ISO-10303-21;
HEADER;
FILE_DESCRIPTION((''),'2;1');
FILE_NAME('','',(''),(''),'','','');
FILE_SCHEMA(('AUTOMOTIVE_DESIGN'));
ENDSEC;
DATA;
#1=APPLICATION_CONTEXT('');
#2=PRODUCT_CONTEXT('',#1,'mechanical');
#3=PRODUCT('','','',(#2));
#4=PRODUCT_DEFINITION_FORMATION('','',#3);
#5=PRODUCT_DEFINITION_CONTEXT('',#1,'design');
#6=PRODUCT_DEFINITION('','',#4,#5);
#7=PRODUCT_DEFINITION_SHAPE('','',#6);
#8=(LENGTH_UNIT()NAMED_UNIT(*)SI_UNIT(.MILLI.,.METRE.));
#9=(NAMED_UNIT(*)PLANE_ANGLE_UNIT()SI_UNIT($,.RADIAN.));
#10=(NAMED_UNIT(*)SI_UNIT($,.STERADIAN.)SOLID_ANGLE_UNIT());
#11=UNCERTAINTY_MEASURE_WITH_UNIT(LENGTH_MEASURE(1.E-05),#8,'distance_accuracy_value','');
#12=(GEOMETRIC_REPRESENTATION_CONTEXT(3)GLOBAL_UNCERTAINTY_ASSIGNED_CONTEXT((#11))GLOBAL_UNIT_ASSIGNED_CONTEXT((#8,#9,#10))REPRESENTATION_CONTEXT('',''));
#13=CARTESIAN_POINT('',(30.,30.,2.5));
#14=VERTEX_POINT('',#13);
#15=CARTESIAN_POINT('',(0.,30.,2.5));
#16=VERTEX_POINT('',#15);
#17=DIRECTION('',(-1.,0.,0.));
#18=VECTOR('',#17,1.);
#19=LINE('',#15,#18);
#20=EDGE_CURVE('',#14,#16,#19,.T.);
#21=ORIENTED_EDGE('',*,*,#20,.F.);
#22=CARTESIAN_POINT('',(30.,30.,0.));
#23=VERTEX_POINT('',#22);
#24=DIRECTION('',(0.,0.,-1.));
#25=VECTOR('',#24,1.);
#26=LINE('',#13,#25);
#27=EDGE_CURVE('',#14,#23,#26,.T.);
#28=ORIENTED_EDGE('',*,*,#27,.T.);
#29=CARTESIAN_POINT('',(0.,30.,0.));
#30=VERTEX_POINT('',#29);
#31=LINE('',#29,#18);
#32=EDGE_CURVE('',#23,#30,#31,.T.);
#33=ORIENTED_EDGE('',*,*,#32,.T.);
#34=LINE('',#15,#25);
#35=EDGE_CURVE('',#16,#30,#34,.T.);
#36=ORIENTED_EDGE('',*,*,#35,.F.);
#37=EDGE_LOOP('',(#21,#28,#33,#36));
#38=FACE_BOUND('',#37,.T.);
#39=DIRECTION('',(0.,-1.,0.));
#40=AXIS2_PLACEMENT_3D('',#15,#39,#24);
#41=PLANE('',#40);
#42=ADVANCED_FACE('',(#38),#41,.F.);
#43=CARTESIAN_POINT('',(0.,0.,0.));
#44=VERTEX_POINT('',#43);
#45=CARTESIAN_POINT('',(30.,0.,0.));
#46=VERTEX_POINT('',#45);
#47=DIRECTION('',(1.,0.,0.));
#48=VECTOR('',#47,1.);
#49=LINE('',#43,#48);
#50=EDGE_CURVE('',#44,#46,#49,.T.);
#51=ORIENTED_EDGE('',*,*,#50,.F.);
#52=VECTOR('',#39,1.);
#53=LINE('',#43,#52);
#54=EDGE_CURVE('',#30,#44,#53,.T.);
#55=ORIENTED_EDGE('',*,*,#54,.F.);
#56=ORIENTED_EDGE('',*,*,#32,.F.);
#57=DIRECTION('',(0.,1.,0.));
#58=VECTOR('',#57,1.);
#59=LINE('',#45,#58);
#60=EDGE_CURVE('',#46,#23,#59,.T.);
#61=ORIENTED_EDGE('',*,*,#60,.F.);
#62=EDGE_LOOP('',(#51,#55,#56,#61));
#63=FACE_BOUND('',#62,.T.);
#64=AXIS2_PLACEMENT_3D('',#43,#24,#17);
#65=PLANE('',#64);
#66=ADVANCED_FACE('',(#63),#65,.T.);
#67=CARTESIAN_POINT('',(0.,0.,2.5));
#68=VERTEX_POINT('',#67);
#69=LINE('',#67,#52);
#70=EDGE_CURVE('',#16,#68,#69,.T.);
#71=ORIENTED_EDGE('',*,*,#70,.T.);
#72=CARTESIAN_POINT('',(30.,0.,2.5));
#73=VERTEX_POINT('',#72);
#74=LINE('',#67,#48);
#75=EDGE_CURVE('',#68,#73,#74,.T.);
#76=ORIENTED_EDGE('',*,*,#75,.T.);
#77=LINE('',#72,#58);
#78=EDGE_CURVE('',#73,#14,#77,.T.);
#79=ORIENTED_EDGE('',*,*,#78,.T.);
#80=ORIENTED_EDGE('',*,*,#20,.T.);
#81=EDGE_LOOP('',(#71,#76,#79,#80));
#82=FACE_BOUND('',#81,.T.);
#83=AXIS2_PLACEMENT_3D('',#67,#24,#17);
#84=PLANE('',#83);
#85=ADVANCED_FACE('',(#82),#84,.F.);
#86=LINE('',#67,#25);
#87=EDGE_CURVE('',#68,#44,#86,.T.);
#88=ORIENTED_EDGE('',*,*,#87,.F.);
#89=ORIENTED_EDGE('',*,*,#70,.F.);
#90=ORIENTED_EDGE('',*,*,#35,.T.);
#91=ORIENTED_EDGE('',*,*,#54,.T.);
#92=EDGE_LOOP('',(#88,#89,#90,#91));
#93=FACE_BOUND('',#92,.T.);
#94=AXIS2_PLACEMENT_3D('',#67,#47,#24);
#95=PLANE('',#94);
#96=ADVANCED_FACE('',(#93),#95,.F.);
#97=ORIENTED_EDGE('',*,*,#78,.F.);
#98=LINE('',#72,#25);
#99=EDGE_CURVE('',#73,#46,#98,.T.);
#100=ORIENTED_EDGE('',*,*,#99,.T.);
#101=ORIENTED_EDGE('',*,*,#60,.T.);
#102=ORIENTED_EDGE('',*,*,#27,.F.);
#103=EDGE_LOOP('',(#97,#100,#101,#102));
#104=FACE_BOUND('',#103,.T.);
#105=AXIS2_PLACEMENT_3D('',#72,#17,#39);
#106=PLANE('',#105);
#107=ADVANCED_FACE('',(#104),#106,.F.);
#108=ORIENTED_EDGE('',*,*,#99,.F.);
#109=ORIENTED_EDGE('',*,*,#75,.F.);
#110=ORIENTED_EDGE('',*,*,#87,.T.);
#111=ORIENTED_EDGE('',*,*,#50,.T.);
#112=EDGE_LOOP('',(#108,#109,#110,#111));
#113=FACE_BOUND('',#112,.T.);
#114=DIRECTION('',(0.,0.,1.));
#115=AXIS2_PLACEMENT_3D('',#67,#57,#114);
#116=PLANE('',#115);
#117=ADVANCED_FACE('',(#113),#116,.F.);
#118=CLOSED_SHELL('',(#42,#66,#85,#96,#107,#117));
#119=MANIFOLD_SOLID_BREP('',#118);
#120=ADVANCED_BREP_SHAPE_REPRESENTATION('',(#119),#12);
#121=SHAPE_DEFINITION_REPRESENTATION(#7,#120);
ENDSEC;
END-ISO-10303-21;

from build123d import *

# Parameters (mm, degrees)
SKETCH1_W           = 30
SKETCH1_H           = 30
BOSS_EXTRUDE1_DEPTH = 2.5


with BuildPart() as part:
    # Sketch1 → Boss-Extrude1 (new body)
    with BuildSketch(Plane.XY):
        with Locations((15, 15)):
            Rectangle(SKETCH1_W, SKETCH1_H)
    extrude(amount=BOSS_EXTRUDE1_DEPTH)


solid = part.part
